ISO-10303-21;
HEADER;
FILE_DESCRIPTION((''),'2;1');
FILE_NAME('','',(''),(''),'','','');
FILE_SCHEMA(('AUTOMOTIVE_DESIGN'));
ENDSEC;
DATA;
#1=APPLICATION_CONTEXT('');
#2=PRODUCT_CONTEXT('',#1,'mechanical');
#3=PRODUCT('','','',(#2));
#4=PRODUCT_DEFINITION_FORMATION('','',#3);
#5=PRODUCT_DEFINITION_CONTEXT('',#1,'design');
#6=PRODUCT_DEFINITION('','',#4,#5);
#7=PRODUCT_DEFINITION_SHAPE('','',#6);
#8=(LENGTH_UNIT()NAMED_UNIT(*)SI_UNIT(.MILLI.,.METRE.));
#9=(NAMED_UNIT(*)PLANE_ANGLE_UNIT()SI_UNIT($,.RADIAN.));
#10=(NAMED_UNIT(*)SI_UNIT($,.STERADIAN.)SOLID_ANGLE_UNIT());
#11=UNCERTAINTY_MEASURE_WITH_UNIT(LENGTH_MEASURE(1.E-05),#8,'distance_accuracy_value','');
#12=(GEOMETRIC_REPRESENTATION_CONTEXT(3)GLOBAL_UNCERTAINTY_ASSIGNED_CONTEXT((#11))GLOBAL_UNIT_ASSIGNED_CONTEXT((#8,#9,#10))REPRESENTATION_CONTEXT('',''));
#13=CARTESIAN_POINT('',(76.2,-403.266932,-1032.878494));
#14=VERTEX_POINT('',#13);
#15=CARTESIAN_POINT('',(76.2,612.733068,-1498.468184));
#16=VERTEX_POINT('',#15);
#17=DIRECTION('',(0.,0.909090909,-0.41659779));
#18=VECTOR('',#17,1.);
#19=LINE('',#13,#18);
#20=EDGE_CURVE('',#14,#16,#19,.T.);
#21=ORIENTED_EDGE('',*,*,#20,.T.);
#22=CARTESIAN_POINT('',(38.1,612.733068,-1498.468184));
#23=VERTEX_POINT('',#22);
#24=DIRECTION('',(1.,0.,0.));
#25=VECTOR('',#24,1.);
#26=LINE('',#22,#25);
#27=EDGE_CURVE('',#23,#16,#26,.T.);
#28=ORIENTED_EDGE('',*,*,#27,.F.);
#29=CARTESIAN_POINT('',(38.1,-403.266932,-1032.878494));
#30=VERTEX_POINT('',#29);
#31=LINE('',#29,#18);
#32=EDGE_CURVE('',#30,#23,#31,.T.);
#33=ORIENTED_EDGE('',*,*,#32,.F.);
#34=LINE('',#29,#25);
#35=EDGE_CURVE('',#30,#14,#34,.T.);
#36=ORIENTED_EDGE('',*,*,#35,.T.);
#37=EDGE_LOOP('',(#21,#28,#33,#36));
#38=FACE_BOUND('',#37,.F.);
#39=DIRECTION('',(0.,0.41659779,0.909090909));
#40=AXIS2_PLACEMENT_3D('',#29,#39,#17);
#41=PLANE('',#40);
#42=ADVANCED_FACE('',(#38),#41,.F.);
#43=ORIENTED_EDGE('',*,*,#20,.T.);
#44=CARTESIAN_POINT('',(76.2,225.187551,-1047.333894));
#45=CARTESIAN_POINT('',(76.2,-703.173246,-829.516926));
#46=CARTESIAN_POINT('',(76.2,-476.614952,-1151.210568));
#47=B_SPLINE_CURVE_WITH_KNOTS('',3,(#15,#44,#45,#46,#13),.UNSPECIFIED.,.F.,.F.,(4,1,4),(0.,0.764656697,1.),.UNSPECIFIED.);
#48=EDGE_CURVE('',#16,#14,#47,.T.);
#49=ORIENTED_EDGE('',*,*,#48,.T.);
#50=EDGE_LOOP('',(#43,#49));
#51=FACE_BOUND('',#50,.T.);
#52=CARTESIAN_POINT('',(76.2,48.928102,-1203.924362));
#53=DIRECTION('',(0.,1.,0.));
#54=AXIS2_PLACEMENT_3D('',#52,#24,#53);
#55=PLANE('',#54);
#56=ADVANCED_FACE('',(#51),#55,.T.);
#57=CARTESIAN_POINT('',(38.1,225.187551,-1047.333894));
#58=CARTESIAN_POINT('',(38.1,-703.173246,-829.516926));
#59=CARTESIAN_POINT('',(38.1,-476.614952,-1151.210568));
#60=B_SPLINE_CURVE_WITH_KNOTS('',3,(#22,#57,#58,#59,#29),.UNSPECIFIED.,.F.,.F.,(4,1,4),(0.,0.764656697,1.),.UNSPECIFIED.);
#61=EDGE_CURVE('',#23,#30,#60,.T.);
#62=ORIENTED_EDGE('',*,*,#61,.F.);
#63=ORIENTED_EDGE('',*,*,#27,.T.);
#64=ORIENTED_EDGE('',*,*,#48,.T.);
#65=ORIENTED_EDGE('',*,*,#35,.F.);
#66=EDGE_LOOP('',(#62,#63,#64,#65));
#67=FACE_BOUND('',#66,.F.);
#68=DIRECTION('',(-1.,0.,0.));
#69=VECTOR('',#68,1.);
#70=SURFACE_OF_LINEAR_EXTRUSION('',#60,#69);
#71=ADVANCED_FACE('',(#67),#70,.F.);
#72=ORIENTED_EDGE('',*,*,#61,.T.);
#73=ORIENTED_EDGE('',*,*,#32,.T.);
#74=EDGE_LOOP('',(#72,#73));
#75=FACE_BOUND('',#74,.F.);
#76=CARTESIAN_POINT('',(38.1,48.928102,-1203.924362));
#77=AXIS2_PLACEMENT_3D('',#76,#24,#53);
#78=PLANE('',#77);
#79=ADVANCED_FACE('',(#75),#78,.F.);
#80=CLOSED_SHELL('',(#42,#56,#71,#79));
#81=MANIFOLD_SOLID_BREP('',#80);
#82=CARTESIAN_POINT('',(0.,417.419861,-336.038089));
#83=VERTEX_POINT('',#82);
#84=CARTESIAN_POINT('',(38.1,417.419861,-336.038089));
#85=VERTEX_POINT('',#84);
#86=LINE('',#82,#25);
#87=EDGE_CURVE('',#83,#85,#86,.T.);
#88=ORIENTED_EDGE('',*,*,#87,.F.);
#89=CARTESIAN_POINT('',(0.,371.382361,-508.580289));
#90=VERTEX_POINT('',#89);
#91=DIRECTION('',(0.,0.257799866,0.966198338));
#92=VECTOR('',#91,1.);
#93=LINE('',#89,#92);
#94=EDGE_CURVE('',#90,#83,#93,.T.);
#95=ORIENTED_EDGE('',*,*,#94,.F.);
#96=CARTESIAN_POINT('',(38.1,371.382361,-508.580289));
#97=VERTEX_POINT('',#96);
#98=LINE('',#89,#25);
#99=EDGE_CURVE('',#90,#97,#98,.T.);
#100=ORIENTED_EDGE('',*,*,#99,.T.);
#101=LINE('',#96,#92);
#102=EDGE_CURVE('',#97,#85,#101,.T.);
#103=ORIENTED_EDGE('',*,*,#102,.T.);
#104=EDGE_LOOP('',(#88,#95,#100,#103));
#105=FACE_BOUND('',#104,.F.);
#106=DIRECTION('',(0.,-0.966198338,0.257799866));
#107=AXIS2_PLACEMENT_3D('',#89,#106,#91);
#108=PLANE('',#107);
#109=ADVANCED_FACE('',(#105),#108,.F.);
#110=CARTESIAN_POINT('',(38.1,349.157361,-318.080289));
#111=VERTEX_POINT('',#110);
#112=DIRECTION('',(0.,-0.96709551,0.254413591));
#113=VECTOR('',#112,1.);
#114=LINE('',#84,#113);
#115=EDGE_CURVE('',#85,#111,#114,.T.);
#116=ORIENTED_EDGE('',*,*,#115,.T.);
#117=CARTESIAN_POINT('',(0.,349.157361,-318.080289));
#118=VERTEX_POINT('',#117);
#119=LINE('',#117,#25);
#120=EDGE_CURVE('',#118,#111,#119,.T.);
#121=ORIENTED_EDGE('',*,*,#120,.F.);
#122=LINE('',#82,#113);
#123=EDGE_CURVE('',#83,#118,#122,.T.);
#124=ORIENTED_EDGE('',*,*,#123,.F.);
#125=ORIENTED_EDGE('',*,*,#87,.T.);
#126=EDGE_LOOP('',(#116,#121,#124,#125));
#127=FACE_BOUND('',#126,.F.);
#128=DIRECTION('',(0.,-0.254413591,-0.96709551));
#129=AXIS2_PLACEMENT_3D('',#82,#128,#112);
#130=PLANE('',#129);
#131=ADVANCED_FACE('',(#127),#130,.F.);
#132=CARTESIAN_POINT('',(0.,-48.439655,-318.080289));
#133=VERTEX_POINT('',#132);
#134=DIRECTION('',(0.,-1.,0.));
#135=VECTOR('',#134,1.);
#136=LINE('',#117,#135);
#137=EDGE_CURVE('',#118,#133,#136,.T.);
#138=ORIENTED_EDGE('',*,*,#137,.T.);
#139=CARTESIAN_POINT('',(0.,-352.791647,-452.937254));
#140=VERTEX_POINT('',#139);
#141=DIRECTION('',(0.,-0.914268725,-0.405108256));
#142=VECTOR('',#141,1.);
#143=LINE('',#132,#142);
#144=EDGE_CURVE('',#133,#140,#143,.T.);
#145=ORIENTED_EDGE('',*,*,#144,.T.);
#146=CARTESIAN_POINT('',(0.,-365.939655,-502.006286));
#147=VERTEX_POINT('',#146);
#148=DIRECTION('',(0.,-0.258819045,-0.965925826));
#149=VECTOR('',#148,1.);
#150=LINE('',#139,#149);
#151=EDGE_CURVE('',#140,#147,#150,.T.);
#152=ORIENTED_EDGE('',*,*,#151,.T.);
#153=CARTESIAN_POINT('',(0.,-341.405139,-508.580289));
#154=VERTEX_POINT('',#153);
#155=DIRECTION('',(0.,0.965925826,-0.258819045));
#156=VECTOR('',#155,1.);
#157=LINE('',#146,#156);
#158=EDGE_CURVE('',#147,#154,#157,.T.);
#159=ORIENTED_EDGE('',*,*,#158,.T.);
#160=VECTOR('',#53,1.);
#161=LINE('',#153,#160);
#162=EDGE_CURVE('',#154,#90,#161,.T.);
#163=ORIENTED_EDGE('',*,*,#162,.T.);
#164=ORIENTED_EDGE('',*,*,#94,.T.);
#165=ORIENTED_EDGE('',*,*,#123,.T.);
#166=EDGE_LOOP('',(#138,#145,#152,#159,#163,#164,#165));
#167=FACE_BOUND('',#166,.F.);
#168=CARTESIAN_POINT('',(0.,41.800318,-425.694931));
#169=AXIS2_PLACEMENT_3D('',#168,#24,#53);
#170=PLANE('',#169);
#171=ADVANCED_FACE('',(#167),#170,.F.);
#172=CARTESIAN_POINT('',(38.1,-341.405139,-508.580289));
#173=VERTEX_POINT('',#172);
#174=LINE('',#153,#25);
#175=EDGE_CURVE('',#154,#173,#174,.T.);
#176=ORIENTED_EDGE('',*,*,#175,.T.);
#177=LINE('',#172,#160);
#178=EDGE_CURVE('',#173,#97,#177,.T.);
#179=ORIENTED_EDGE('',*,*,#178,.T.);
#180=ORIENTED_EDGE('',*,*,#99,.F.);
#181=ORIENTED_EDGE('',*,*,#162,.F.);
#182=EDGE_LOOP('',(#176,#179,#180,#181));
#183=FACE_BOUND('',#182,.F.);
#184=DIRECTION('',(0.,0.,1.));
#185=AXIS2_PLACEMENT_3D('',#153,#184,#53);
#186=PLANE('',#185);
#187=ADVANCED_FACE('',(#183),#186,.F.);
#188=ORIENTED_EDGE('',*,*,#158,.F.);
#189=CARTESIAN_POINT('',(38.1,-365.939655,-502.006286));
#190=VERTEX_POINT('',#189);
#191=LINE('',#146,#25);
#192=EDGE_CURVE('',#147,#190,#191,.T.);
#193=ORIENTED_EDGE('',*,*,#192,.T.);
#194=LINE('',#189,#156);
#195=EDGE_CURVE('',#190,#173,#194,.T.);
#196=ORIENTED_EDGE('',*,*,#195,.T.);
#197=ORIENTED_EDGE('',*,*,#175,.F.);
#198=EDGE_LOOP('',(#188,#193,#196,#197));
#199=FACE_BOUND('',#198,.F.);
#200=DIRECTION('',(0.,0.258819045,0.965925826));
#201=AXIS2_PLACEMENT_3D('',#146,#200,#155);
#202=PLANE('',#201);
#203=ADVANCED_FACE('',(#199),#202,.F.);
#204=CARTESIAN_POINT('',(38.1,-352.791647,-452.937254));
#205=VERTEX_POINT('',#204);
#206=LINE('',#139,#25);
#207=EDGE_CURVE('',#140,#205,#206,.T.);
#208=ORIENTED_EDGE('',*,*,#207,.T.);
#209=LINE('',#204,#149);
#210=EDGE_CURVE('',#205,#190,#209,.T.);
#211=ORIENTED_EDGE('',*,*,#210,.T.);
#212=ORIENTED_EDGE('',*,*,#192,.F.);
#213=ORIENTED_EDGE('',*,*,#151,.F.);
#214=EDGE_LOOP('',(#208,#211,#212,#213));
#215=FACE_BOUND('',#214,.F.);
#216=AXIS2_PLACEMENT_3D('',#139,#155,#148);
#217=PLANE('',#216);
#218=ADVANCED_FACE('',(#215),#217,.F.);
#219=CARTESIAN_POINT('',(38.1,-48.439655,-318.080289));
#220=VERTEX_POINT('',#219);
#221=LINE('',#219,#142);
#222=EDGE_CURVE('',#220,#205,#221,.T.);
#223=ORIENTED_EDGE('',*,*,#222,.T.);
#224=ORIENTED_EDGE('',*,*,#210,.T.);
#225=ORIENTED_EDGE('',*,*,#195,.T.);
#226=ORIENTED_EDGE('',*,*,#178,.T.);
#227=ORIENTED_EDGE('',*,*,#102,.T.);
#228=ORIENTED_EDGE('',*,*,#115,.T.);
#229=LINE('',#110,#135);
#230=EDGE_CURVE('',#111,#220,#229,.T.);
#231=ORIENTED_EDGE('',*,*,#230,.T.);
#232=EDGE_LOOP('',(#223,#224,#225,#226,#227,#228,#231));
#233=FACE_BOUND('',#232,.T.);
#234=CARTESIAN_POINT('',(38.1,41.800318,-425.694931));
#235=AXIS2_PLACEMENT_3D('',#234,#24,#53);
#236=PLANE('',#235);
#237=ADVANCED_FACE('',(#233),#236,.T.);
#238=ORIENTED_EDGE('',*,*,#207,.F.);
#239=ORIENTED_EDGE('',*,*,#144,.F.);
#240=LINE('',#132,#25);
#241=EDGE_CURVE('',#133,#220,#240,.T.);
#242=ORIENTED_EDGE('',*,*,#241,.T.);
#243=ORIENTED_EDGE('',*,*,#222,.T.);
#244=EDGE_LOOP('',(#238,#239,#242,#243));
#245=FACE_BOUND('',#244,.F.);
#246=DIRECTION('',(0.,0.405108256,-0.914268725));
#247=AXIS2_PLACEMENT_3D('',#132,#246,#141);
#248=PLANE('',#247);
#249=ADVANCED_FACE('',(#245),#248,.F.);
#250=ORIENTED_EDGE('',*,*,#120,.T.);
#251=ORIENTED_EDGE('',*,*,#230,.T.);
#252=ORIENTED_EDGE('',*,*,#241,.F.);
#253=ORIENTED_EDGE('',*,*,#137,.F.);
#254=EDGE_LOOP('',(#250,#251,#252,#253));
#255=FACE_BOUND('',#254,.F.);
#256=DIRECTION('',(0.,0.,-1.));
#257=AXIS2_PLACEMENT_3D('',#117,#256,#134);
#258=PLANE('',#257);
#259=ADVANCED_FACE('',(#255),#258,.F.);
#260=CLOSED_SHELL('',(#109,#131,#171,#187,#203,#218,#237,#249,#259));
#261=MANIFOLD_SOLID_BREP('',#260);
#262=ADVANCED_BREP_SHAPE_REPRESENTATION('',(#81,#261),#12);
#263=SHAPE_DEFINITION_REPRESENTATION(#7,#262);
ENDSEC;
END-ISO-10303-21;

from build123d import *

# Parameters (mm, degrees)
F1_DEPTH = 38.1
F4_DEPTH = 38.1


with BuildPart() as f1:
    # F0 (on Right) → F1 (new body)
    with BuildSketch(Plane.YZ):
        Polygon((-365.9396546841, -502.0062856797), (-341.4051386963, -508.5802894253), (371.3823613037, -508.5802894253), (417.4198613037, -336.0380894253), (349.1573613037, -318.0802894253), (-48.4396546841, -318.0802894253), (-352.7916471929, -452.9372537042), align=None)
    extrude(amount=F1_DEPTH)


with BuildPart() as f4:
    # F3 (on face) → F4 (new body)
    with BuildSketch(Plane.YZ.offset(38.1)):
        with BuildLine():
            Line((-403.2669318563, -1032.8784938841), (612.7330681437, -1498.4681844916))
            add(Edge.make_bspline(
                [(612.7330681437, -1498.4681844916), (225.1875507799, -1047.3338939783), (-703.1732463559, -829.5169255484), (-476.6149520874, -1151.2105684895), (-403.2669318563, -1032.8784938841)],
                knots=[0, 0, 0, 0, 0.7646566969, 1, 1, 1, 1], degree=3))
        make_face()
    extrude(amount=F4_DEPTH)


solid = Compound([f1.part, f4.part])
